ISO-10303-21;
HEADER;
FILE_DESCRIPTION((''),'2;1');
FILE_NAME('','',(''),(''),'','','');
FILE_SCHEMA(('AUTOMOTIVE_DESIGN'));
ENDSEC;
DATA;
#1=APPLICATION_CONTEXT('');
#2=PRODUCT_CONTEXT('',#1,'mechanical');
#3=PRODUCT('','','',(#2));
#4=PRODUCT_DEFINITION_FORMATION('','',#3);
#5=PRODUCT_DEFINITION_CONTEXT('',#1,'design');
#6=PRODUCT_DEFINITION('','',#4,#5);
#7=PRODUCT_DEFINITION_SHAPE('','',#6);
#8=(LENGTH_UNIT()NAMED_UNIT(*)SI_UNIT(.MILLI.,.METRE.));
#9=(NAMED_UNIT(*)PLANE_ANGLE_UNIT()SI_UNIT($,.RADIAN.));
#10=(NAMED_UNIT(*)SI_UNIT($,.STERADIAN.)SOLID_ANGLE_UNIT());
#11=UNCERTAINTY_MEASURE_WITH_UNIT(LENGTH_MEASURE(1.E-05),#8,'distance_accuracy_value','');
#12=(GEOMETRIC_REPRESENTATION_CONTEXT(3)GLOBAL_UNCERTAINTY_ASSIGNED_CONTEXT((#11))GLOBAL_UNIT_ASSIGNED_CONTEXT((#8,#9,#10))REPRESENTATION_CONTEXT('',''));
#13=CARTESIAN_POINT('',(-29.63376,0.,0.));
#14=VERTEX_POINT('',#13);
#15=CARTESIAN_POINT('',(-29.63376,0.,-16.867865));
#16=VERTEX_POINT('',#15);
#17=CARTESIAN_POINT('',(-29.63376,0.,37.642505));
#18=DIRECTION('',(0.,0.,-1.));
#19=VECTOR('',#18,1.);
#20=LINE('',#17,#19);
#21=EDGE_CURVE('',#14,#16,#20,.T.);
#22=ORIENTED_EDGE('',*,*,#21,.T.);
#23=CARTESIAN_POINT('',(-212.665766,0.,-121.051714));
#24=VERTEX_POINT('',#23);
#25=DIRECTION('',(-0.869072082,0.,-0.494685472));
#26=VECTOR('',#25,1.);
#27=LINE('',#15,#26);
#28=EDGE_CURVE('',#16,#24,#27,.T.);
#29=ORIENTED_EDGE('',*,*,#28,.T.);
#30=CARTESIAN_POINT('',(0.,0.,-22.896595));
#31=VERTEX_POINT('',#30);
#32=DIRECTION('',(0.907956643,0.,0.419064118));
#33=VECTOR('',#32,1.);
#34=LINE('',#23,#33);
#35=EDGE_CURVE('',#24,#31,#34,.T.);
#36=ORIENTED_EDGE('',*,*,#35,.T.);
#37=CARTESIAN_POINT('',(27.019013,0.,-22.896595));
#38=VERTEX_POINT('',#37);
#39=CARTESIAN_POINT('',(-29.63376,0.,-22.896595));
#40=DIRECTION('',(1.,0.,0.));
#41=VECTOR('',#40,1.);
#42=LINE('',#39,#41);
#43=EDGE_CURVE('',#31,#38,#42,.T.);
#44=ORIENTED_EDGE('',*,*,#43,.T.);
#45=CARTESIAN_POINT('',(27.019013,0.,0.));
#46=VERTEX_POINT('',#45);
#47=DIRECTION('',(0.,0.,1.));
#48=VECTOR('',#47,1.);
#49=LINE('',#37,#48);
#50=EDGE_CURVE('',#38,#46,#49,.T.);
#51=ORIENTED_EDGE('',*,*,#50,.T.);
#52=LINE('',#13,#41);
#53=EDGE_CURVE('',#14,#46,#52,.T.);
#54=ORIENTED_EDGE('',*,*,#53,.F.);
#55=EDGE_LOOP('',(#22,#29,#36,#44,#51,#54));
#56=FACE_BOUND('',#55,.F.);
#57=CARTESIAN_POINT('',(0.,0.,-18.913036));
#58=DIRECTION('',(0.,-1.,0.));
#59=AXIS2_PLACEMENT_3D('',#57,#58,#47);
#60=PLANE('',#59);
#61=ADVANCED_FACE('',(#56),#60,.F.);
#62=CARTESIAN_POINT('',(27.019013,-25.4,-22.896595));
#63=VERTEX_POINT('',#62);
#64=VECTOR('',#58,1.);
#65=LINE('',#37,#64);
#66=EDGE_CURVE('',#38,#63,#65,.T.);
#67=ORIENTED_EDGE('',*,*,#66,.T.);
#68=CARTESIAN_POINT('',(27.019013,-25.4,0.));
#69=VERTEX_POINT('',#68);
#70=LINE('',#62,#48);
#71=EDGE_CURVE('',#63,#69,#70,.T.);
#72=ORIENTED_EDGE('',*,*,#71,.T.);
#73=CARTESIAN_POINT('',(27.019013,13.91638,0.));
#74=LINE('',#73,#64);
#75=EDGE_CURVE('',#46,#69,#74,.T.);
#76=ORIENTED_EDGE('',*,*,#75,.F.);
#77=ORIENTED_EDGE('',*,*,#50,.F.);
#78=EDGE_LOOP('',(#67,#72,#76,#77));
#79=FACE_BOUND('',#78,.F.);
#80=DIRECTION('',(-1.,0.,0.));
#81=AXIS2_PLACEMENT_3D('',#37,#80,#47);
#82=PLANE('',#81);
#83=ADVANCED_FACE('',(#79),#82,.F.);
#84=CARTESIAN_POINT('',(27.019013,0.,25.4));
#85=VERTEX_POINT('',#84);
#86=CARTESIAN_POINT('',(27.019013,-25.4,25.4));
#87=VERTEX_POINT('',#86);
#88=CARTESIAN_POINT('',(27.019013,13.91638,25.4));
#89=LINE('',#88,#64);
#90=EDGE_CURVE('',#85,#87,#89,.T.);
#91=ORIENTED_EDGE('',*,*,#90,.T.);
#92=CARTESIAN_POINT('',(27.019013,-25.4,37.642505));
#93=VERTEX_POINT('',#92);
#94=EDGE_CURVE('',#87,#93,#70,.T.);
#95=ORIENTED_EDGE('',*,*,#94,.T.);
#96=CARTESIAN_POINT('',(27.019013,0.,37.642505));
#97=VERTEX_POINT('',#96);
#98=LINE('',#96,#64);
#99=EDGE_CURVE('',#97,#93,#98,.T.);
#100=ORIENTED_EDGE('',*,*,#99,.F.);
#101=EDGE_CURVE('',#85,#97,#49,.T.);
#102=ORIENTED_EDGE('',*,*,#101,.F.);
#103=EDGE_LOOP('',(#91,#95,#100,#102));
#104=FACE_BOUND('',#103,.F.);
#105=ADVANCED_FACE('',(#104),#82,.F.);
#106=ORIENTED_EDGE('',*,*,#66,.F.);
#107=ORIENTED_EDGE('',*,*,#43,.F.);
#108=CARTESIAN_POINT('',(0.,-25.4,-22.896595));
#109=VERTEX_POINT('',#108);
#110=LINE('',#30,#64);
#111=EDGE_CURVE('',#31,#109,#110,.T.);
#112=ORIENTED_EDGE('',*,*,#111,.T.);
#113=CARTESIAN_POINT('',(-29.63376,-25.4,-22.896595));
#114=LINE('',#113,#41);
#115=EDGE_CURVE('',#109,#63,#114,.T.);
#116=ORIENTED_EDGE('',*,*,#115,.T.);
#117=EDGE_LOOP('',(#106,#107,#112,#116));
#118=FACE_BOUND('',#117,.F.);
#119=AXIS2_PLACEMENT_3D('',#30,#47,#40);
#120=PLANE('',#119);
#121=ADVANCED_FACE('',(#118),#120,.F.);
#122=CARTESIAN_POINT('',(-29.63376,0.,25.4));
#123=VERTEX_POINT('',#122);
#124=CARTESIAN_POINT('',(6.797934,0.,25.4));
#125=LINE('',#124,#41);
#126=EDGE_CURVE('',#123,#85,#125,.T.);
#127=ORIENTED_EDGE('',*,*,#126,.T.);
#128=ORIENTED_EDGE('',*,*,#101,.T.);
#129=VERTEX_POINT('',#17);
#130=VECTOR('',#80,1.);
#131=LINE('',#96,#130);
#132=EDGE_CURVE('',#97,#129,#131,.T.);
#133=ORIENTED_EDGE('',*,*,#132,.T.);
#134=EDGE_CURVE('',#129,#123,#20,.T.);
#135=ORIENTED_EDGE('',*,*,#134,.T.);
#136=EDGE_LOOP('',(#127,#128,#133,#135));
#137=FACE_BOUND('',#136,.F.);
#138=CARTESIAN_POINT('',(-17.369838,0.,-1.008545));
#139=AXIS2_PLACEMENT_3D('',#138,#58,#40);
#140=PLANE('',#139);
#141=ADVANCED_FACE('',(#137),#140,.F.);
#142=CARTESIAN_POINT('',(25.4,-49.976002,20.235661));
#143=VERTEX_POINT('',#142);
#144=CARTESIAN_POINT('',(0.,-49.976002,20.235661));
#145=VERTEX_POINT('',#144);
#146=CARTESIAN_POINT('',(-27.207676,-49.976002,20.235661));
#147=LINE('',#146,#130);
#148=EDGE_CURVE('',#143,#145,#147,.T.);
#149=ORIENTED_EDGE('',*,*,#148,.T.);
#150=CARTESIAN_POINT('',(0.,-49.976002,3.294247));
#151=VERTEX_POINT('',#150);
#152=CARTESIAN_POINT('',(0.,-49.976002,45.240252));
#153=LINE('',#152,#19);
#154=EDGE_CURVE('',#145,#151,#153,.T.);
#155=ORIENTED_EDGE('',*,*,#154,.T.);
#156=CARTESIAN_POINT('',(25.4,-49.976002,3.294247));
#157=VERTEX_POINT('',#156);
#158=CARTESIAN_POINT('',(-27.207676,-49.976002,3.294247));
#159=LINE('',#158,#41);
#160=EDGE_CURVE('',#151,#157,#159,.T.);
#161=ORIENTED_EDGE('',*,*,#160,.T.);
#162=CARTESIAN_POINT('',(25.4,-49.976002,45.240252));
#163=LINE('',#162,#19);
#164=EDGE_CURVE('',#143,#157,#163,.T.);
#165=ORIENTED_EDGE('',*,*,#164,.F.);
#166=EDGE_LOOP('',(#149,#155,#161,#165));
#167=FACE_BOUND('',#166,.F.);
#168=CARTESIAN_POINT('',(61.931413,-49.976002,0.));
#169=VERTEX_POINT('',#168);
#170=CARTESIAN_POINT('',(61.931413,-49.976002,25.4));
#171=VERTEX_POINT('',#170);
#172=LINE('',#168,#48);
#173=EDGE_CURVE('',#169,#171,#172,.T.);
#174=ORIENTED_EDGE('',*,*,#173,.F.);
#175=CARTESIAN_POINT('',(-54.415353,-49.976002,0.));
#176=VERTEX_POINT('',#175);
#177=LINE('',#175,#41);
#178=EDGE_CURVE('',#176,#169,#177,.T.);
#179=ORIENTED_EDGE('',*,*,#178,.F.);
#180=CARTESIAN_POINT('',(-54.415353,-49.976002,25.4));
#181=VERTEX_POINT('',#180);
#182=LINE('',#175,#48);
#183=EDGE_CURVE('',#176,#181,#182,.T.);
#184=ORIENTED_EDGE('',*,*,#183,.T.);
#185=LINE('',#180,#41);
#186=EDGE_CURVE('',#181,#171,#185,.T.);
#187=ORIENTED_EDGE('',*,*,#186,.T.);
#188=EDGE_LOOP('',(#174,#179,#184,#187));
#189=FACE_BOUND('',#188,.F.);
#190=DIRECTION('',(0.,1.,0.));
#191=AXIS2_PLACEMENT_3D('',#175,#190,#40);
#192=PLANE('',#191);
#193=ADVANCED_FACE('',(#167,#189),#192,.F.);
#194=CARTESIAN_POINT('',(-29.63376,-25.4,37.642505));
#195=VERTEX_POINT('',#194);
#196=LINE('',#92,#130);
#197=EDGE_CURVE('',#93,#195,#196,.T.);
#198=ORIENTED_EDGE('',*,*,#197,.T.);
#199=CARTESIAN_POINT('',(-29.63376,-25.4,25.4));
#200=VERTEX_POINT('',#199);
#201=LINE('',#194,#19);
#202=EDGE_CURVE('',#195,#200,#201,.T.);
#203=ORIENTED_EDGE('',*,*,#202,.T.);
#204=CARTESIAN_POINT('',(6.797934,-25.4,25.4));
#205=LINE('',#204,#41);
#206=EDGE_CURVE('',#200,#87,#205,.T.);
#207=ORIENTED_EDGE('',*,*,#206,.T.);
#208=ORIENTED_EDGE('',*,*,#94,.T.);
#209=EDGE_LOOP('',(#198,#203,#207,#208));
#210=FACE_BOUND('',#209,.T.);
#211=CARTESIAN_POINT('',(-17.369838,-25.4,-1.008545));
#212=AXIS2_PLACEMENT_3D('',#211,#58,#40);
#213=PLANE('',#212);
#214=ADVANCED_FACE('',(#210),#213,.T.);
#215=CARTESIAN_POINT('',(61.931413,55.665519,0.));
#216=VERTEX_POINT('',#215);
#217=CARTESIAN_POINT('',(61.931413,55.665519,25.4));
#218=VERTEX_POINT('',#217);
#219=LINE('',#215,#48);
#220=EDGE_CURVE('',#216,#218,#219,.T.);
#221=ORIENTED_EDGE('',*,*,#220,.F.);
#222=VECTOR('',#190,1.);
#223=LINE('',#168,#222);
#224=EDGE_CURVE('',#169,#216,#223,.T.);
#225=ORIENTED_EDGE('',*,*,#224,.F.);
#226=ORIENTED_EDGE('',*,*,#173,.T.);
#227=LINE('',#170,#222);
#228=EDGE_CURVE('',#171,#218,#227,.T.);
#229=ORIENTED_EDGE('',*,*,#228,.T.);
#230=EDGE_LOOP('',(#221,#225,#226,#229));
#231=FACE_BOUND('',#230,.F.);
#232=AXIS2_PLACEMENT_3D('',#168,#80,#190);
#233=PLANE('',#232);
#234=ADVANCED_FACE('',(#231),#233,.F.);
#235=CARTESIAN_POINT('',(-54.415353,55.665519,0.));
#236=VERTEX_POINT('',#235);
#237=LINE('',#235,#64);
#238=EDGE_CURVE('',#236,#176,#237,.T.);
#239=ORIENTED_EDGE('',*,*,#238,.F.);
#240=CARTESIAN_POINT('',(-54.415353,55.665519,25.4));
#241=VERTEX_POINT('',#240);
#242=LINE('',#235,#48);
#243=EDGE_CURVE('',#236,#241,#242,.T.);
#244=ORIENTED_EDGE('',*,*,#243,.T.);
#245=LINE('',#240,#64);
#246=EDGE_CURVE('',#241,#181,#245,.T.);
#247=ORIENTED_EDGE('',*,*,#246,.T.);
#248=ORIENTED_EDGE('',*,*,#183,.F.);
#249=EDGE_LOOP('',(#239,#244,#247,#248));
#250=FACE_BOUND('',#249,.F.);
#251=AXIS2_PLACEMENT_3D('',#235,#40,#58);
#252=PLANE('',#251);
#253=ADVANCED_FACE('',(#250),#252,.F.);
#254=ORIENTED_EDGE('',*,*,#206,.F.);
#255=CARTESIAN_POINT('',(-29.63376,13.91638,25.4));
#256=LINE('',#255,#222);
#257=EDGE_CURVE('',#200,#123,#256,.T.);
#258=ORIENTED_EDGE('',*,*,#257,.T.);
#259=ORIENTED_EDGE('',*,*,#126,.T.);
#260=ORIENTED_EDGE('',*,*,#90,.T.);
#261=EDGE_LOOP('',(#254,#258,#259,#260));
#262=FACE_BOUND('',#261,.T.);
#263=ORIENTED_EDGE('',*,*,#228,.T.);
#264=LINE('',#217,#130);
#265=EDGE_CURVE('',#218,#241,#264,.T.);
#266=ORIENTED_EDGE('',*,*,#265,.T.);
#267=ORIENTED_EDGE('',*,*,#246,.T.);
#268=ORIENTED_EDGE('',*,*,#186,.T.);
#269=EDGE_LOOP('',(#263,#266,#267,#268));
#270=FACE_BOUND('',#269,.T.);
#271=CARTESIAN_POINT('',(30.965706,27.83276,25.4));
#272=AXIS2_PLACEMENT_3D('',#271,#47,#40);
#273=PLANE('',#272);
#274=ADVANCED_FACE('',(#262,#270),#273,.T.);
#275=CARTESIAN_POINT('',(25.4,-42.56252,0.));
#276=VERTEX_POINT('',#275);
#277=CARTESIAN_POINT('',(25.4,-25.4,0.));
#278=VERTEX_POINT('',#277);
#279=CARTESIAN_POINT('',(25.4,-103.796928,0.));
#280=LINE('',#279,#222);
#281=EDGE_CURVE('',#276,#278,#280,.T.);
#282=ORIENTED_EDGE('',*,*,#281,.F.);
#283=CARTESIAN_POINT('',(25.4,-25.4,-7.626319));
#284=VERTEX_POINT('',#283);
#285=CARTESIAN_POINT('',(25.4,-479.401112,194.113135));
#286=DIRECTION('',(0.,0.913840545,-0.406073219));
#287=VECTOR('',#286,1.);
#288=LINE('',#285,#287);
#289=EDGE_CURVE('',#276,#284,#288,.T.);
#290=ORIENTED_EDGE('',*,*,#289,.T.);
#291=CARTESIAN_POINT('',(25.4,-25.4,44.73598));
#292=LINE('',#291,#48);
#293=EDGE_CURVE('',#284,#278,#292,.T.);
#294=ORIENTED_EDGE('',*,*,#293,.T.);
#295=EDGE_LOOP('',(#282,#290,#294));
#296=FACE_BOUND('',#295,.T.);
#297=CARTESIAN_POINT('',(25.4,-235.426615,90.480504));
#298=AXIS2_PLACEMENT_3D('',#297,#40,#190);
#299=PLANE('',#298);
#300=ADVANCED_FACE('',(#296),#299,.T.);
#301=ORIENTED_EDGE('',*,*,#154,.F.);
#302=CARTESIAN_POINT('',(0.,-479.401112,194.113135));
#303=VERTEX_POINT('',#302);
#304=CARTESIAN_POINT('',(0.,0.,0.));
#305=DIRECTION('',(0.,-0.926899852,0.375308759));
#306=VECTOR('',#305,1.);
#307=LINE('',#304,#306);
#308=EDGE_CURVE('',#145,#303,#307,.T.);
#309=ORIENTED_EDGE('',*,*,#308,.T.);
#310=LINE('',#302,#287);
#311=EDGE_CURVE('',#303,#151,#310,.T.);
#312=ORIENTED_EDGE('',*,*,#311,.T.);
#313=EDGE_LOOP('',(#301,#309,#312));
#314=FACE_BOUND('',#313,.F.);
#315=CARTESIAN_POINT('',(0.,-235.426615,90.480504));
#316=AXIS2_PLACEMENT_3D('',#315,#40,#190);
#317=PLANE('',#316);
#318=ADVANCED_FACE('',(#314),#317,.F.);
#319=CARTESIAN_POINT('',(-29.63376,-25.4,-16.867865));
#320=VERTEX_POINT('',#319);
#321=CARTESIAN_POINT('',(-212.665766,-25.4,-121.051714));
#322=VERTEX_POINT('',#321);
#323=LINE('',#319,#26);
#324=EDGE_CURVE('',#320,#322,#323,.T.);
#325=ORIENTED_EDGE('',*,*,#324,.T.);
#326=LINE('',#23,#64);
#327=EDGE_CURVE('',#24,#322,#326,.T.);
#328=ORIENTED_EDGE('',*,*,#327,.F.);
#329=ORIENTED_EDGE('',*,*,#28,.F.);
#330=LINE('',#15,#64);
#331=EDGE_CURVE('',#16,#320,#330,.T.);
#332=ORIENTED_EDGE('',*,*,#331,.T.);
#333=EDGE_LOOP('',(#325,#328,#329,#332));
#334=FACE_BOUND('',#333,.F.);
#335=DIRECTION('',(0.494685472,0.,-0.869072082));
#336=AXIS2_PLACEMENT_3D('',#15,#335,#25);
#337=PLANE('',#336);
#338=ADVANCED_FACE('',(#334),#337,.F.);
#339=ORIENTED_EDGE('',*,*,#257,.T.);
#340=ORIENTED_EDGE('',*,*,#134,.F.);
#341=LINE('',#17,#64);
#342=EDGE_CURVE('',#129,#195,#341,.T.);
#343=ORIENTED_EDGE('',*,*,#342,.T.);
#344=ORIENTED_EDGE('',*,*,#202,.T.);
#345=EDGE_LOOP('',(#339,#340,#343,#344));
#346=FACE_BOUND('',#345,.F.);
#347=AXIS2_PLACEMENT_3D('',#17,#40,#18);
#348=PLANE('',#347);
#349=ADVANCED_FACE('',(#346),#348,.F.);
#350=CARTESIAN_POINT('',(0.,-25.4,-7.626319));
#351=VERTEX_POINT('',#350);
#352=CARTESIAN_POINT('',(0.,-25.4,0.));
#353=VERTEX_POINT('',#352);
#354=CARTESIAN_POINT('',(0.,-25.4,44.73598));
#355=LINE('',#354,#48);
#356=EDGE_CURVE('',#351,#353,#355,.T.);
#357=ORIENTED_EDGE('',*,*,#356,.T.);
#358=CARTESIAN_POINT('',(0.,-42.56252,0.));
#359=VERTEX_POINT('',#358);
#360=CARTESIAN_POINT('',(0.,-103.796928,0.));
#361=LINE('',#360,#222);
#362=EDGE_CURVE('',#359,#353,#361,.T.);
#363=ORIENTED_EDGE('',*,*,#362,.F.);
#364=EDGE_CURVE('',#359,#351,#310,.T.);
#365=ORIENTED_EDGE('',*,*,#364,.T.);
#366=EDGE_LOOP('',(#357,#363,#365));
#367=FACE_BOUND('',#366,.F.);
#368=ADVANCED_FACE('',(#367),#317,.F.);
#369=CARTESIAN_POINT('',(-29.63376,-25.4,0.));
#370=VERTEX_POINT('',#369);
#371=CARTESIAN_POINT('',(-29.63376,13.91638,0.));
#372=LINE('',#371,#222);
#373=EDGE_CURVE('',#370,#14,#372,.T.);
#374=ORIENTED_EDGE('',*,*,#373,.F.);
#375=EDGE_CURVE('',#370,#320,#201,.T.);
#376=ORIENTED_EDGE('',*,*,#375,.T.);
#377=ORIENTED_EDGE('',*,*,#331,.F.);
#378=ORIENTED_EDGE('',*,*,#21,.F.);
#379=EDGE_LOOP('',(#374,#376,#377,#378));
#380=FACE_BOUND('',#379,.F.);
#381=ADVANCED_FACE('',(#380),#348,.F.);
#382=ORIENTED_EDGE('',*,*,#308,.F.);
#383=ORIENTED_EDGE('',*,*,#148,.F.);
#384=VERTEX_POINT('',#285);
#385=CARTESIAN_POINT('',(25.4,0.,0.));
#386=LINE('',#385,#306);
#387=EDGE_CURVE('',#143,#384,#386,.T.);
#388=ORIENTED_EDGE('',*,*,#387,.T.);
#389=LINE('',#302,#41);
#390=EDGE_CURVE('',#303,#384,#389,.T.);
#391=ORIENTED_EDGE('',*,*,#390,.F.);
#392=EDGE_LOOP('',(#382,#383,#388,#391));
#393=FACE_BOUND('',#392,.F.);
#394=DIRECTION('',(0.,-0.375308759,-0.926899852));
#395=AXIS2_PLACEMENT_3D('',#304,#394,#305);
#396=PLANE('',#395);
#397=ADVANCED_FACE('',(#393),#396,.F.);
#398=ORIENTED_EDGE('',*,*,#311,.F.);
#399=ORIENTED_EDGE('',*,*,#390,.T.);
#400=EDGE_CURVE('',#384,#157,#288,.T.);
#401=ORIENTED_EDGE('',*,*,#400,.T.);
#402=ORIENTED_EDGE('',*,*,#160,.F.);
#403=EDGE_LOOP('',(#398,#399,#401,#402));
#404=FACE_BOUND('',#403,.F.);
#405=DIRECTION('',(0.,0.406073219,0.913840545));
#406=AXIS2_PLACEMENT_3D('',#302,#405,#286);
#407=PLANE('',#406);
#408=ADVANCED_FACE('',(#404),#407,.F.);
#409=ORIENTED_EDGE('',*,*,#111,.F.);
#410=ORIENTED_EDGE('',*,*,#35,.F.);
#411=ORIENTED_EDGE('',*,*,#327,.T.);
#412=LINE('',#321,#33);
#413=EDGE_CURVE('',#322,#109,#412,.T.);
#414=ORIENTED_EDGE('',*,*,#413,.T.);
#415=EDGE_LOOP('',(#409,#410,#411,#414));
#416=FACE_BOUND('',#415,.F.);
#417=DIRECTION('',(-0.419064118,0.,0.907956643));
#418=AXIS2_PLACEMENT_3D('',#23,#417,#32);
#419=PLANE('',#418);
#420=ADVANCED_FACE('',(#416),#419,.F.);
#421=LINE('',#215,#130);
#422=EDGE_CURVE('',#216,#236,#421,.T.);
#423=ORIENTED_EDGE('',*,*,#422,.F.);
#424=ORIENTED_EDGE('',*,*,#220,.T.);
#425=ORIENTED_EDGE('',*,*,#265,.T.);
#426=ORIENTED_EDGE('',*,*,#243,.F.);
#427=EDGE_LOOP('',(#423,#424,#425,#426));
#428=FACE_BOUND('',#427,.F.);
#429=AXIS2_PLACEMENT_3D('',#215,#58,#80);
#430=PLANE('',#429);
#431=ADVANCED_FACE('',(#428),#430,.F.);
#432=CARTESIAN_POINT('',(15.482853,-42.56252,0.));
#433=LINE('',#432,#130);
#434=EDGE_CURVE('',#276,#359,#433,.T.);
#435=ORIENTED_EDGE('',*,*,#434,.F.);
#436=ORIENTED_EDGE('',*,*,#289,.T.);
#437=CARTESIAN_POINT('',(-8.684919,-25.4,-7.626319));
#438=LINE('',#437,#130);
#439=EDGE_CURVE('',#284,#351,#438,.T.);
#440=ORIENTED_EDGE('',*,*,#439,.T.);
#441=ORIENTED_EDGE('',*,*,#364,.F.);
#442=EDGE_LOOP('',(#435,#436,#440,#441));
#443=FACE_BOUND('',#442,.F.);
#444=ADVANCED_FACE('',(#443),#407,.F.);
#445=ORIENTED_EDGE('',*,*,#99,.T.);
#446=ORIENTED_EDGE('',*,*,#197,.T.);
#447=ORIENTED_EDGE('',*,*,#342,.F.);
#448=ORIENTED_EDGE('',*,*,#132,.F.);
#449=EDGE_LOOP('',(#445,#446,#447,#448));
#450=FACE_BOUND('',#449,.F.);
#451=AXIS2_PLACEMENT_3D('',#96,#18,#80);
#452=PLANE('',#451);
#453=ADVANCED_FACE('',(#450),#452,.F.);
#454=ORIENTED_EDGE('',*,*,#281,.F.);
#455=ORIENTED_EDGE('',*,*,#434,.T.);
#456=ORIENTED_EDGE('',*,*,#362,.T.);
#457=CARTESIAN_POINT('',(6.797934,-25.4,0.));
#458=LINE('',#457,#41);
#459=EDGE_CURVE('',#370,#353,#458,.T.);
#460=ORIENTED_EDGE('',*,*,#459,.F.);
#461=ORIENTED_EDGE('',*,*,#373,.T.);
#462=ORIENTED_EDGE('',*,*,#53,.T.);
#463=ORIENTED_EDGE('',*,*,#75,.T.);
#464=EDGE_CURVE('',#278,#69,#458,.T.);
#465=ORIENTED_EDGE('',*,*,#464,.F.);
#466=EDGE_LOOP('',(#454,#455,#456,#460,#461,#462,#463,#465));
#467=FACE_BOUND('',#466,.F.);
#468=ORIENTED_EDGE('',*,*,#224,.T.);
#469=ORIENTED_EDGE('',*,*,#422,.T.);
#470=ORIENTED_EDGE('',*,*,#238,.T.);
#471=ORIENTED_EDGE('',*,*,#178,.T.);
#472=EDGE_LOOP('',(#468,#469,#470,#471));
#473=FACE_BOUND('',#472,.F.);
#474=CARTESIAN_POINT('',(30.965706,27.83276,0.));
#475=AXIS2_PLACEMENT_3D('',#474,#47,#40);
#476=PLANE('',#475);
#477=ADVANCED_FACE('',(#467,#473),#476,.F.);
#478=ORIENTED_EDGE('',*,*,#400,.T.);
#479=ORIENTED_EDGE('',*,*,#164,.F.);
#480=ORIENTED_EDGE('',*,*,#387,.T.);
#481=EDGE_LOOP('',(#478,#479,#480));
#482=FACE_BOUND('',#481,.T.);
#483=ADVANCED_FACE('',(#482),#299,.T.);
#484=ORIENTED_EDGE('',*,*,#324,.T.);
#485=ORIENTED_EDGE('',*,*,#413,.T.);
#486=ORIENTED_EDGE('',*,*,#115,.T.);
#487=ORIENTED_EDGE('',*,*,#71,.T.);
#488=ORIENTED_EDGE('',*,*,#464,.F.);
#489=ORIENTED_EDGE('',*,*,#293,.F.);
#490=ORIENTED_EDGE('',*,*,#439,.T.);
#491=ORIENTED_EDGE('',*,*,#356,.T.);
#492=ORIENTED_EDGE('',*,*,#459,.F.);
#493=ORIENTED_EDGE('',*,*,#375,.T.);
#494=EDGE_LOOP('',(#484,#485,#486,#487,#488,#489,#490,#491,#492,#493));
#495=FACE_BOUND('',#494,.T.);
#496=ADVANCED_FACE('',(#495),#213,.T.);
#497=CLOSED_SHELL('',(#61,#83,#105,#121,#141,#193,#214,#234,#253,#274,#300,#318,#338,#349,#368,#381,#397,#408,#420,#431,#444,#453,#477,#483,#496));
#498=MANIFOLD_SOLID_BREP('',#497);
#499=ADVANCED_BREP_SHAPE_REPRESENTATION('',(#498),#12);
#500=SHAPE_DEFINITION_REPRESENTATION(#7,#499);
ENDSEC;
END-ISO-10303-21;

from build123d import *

# Parameters (mm, degrees)
F0_W     = 61.931412667
F0_H     = 55.6655190885
F0_H_2   = 49.976002425
F0_W_2   = 54.4153526425
F1_DEPTH = 25.4
F2_W     = 29.6337604523
F2_H     = 28.9934612811
F2_W_2   = 27.0190127194
F3_DEPTH = 25.4
F5_DEPTH = 25.4


with BuildPart() as f1:
    # F0 (on Top) → F1 (new body)
    with BuildSketch(Plane.XY):
        with Locations((30.9657063335, 27.8327595443)):
            Rectangle(F0_W, F0_H)
        with Locations((30.9657063335, -24.9880012125)):
            Rectangle(F0_W, F0_H_2)
        with Locations((-27.2076763213, -24.9880012125)):
            Rectangle(F0_W_2, F0_H_2)
        with Locations((-27.2076763213, 27.8327595443)):
            Rectangle(F0_W_2, F0_H)
    extrude(amount=F1_DEPTH)

    # F2 (on Front) → F3 (join)
    with BuildSketch(Plane.XZ):
        Polygon((0, 0), (0, 8.6490437388), (-29.6337604523, 8.6490437388), (-29.6337604523, -16.8678652386), align=None)
        with Locations((-14.8168802261, 23.1457743794)):
            Rectangle(F2_W, F2_H)
        with Locations((13.5095063597, 23.1457743794)):
            Rectangle(F2_W_2, F2_H)
        Polygon((27.0190127194, 8.6490437388), (0, 8.6490437388), (0, 0), (0, -22.8965952992), (27.0190127194, -22.8965952992), align=None)
        Polygon((0, -22.8965952992), (0, 0), (-29.6337604523, -16.8678652386), (-29.6337604523, -22.8965952992), align=None)
        Polygon((-29.6337604523, -22.8965952992), (-29.6337604523, -16.8678652386), (-212.6657664776, -121.0517138243), (0, -22.8965952992), align=None)
    extrude(amount=F3_DEPTH)

    # F4 (on Right) → F5 (join)
    with BuildSketch(Plane.YZ):
        Polygon((0, -18.9130362123), (0, 0), (-479.4011116028, 194.1131353378), align=None)
    extrude(amount=F5_DEPTH)


solid = f1.part
